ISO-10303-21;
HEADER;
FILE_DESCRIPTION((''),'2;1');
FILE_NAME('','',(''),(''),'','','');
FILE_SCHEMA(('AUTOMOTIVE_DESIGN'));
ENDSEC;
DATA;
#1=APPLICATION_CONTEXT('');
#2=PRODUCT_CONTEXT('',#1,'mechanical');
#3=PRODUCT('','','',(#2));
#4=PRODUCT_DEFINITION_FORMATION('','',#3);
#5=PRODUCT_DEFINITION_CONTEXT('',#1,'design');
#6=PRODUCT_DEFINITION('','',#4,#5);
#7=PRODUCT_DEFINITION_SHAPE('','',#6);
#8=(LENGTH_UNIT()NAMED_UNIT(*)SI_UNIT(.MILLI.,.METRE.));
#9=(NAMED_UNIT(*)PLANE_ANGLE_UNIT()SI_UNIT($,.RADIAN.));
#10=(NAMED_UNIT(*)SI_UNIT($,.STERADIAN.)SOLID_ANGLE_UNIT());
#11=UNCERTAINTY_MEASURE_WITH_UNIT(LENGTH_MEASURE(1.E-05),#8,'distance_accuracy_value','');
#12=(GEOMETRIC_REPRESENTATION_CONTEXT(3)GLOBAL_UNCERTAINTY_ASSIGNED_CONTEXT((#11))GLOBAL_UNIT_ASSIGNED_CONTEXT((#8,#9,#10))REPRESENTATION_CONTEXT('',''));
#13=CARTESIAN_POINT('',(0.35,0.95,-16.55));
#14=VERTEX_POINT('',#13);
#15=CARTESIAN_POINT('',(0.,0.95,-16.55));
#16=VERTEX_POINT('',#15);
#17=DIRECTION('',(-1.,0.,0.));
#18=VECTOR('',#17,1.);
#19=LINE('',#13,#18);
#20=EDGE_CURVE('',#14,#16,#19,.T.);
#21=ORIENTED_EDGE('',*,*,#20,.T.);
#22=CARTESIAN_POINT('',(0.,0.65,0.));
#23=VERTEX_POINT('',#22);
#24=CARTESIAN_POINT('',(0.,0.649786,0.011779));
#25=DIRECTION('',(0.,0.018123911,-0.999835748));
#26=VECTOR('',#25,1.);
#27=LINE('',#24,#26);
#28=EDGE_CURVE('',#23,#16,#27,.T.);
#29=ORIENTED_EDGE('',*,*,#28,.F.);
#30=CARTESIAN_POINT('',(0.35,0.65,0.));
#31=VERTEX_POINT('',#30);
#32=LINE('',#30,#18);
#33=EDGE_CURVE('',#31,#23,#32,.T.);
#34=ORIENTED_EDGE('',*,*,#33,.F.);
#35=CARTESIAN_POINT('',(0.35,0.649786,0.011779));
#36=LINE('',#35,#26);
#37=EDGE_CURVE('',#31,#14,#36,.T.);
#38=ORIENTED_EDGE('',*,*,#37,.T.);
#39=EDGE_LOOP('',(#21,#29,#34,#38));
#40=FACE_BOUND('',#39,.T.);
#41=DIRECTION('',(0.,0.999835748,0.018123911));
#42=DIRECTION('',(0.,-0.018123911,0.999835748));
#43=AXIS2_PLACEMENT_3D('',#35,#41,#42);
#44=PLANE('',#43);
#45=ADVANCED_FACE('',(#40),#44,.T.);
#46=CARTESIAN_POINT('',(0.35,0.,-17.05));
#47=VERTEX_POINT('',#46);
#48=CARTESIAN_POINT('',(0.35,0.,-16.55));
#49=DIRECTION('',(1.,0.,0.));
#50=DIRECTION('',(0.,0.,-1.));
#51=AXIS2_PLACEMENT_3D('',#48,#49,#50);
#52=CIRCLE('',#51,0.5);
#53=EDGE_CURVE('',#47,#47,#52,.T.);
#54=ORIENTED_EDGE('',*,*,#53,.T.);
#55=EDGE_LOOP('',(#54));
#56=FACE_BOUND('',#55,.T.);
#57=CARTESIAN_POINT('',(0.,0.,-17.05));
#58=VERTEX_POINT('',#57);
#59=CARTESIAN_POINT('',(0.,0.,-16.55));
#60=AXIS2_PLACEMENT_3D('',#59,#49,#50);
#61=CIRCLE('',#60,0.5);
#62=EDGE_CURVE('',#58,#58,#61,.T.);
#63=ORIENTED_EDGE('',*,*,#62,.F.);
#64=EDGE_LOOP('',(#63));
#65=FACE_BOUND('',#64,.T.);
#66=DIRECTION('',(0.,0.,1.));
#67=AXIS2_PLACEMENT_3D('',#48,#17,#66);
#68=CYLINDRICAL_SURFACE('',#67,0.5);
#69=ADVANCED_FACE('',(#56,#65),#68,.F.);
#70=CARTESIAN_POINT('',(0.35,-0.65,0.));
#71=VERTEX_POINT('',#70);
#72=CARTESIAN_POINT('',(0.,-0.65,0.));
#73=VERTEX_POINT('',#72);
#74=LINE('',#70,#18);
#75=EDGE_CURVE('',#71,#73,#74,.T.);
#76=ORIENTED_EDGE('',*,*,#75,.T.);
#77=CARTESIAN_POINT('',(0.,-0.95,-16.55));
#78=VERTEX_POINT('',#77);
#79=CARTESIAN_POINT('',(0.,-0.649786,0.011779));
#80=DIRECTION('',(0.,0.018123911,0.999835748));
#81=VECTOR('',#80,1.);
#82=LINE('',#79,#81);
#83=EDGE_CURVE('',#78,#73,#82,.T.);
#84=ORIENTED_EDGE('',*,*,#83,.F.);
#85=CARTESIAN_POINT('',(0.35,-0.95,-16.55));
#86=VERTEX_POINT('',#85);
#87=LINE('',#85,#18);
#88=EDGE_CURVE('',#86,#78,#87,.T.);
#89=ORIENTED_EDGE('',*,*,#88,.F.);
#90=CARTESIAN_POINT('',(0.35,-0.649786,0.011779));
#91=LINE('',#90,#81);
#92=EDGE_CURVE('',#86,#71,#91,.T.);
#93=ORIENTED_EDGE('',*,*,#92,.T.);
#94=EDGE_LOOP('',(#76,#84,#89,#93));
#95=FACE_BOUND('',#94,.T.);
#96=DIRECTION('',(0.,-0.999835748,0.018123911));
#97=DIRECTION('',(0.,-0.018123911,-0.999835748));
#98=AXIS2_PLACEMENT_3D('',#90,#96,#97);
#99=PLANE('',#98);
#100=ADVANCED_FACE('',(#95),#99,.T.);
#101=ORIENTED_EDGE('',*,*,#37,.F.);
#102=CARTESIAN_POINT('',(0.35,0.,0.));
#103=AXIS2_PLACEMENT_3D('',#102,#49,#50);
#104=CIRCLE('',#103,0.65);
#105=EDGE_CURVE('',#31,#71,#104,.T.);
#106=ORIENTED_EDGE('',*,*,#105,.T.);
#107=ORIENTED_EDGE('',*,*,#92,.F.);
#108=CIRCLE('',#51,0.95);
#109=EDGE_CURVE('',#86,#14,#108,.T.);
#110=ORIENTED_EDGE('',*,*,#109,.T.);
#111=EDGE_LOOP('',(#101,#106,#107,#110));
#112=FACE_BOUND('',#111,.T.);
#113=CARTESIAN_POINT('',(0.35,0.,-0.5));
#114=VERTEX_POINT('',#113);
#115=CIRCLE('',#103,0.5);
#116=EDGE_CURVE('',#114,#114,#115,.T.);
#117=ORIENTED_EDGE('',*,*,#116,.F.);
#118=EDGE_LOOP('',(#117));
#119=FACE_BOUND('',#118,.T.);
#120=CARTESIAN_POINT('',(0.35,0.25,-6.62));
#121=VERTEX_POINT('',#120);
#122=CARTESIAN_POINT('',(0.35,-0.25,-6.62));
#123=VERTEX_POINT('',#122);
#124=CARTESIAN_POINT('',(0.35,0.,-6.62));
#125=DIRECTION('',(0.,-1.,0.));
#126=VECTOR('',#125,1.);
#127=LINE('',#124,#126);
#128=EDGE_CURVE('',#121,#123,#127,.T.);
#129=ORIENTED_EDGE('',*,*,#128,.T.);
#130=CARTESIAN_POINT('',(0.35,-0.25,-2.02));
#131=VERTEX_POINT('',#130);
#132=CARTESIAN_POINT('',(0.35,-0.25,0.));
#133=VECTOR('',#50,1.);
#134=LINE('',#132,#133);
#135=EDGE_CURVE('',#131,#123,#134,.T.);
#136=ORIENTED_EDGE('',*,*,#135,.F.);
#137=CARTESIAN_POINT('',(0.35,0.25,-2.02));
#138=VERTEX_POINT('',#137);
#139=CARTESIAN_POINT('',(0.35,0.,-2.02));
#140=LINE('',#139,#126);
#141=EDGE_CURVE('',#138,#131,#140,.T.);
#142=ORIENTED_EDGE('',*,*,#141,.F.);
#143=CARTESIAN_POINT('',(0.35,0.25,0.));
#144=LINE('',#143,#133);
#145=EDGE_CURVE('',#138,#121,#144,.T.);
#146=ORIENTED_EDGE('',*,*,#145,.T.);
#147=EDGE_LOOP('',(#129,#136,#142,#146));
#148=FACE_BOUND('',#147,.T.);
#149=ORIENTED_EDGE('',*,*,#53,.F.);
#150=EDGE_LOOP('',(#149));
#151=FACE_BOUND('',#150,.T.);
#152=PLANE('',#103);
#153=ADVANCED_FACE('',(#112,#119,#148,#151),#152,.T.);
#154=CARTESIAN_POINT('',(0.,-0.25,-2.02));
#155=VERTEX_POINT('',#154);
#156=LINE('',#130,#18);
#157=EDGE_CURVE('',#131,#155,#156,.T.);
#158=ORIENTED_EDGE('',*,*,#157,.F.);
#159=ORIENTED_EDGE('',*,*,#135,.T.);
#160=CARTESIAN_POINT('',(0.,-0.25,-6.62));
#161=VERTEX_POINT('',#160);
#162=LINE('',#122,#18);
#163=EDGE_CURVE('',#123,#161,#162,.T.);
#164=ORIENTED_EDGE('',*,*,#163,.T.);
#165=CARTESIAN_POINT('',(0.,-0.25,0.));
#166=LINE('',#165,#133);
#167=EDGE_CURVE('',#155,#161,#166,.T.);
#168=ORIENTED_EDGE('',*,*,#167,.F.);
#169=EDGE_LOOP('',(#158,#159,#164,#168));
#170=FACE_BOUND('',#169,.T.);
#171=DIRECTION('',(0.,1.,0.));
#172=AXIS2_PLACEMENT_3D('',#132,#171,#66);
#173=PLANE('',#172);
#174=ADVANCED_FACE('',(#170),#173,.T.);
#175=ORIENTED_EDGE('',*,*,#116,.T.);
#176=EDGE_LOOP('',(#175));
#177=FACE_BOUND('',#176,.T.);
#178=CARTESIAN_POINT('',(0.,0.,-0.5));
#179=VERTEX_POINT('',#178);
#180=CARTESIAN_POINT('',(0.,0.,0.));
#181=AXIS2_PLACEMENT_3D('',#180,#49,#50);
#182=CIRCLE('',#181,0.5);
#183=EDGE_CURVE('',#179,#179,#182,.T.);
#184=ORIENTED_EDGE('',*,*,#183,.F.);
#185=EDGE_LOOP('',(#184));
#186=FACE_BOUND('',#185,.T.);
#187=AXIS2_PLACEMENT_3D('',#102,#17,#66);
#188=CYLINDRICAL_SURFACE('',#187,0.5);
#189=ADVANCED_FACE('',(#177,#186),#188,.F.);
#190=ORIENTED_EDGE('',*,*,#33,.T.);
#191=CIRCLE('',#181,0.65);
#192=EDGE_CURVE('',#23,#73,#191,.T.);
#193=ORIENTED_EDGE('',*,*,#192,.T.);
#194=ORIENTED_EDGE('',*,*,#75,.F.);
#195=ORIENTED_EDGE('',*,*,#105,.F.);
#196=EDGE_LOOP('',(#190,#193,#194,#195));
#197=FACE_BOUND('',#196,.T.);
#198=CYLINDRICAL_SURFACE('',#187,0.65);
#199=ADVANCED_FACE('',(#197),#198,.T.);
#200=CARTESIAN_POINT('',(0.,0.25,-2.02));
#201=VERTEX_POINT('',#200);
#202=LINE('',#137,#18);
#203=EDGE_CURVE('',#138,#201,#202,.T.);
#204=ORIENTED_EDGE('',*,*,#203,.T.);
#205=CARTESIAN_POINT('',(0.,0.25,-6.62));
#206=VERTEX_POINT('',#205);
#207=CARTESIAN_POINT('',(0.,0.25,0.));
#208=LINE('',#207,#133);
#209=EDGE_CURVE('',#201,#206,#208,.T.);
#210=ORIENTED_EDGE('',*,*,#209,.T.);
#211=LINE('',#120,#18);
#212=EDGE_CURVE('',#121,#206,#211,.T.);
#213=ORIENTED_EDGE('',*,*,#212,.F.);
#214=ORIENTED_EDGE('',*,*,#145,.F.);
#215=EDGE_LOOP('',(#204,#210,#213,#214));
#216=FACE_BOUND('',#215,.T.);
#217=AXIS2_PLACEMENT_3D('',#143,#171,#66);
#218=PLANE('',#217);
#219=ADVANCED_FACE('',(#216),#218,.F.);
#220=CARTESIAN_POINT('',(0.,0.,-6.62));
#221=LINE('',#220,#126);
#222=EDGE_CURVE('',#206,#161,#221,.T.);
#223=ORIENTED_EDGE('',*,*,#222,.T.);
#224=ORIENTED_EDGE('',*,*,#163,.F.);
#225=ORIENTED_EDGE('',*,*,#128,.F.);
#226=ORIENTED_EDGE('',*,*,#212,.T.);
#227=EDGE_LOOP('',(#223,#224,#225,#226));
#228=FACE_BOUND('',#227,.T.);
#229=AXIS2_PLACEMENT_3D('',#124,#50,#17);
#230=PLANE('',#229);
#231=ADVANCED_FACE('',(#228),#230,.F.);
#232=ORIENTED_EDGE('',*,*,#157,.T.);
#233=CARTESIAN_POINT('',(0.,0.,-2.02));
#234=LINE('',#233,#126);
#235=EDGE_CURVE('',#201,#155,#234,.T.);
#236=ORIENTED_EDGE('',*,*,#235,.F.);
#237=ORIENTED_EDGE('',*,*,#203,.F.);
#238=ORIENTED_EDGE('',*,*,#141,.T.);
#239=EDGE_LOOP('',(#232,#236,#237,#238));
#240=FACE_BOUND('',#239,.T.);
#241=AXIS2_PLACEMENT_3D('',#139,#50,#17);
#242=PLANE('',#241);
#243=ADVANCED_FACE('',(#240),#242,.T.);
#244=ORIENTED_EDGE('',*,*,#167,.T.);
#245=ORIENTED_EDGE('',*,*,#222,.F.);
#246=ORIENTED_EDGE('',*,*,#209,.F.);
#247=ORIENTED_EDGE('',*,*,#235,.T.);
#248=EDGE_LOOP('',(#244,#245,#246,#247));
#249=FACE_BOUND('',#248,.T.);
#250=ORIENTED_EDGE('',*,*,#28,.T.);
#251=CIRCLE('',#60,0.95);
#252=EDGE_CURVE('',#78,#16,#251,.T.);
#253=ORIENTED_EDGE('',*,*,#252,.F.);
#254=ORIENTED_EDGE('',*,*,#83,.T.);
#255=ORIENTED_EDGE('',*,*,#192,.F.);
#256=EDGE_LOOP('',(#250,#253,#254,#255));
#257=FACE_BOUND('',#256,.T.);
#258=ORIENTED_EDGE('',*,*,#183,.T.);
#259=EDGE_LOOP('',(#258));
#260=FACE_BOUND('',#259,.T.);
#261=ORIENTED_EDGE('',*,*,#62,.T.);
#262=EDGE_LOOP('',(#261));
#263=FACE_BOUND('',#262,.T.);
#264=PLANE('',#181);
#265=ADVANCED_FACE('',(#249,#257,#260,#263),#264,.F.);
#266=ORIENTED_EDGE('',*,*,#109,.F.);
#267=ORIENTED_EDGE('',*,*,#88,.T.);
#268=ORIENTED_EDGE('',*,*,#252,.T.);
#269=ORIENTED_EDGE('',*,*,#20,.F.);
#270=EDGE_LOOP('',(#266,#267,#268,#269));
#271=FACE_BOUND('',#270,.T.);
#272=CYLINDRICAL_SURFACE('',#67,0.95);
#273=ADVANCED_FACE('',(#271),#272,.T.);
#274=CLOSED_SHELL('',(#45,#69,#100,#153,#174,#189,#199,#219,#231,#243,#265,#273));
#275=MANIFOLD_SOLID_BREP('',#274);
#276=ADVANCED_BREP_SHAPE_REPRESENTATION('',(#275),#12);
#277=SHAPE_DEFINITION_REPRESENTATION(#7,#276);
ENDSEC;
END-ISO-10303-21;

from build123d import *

# Parameters (mm, degrees)
SKETCH1_R           = 0.5
SKETCH1_W           = 4.6
SKETCH1_H           = 0.5
BOSS_EXTRUDE1_DEPTH = 0.35


with BuildPart() as part:
    # Sketch1 → Boss-Extrude1 (new body)
    with BuildSketch(Plane(origin=(0, 0, 0), x_dir=(0, 0, -1), z_dir=(1, 0, 0))):
        with BuildLine():
            Line((16.515570225, 0.949375895), (0, 0.65))
            ThreePointArc((0, 0.65), (-0.65, 0), (0, -0.65))
            Line((0, -0.65), (16.515570225, -0.949375895))
            Line((16.515570225, -0.949375895), (16.55, -0.95))
            ThreePointArc((16.55, -0.95), (17.5, 0), (16.55, 0.95))
            Line((16.55, 0.95), (16.515570225, 0.949375895))
        make_face()
        Circle(SKETCH1_R, mode=Mode.SUBTRACT)
        with Locations((4.32, 0)):
            Rectangle(SKETCH1_W, SKETCH1_H, mode=Mode.SUBTRACT)
        with Locations((16.55, 0)):
            Circle(SKETCH1_R, mode=Mode.SUBTRACT)
    extrude(amount=BOSS_EXTRUDE1_DEPTH)


solid = part.part
